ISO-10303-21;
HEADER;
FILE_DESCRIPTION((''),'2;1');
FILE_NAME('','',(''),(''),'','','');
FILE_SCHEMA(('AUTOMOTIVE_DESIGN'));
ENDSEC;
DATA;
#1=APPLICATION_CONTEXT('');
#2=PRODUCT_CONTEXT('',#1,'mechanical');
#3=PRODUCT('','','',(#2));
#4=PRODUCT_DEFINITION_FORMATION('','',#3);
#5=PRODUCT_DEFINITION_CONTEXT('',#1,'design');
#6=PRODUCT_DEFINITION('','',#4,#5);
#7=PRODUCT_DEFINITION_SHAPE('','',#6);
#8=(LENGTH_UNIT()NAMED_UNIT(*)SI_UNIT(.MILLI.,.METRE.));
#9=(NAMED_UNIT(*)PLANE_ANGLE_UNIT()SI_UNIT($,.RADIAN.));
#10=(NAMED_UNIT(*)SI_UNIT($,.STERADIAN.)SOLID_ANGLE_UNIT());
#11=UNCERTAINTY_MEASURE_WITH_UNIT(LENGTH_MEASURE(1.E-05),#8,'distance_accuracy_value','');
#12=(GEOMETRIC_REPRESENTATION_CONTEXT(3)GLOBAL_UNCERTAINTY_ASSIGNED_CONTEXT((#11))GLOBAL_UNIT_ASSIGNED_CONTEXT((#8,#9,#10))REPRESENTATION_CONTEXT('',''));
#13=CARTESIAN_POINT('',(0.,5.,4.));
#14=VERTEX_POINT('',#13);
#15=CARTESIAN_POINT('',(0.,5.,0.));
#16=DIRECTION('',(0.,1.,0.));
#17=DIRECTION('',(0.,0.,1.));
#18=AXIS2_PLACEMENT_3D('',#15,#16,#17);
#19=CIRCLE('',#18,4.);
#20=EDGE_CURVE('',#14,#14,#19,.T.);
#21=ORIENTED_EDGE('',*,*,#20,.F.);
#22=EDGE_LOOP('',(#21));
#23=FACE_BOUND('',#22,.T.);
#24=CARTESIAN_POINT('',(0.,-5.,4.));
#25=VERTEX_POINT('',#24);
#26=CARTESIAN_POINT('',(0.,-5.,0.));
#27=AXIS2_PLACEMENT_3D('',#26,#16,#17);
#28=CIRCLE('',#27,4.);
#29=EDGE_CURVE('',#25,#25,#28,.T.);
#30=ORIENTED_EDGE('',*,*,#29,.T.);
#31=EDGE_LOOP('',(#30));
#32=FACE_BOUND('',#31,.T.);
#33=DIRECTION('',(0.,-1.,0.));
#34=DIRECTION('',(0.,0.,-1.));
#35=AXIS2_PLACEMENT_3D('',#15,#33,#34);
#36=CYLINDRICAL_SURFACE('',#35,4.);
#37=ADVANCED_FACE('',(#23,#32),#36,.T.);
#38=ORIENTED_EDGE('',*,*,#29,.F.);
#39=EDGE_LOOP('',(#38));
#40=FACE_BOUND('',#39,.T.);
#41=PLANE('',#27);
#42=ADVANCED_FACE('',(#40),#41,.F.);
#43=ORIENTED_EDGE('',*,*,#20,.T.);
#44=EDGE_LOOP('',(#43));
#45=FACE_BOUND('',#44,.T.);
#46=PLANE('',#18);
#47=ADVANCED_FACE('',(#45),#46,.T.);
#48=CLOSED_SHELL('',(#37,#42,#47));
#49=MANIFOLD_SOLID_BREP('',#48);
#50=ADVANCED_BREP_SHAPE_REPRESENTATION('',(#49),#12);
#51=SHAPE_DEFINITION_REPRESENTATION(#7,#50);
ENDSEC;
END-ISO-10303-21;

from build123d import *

# Parameters (mm, degrees)
SKETCH1_R           = 4
BOSS_EXTRUDE1_DEPTH = 5


with BuildPart() as part:
    # Sketch1 → Boss-Extrude1 (new body, symmetric)
    with BuildSketch(Plane(origin=(0, 0, 0), x_dir=(1, 0, 0), z_dir=(0, 1, 0))):
        Circle(SKETCH1_R)
    extrude(amount=BOSS_EXTRUDE1_DEPTH, both=True)


solid = part.part
